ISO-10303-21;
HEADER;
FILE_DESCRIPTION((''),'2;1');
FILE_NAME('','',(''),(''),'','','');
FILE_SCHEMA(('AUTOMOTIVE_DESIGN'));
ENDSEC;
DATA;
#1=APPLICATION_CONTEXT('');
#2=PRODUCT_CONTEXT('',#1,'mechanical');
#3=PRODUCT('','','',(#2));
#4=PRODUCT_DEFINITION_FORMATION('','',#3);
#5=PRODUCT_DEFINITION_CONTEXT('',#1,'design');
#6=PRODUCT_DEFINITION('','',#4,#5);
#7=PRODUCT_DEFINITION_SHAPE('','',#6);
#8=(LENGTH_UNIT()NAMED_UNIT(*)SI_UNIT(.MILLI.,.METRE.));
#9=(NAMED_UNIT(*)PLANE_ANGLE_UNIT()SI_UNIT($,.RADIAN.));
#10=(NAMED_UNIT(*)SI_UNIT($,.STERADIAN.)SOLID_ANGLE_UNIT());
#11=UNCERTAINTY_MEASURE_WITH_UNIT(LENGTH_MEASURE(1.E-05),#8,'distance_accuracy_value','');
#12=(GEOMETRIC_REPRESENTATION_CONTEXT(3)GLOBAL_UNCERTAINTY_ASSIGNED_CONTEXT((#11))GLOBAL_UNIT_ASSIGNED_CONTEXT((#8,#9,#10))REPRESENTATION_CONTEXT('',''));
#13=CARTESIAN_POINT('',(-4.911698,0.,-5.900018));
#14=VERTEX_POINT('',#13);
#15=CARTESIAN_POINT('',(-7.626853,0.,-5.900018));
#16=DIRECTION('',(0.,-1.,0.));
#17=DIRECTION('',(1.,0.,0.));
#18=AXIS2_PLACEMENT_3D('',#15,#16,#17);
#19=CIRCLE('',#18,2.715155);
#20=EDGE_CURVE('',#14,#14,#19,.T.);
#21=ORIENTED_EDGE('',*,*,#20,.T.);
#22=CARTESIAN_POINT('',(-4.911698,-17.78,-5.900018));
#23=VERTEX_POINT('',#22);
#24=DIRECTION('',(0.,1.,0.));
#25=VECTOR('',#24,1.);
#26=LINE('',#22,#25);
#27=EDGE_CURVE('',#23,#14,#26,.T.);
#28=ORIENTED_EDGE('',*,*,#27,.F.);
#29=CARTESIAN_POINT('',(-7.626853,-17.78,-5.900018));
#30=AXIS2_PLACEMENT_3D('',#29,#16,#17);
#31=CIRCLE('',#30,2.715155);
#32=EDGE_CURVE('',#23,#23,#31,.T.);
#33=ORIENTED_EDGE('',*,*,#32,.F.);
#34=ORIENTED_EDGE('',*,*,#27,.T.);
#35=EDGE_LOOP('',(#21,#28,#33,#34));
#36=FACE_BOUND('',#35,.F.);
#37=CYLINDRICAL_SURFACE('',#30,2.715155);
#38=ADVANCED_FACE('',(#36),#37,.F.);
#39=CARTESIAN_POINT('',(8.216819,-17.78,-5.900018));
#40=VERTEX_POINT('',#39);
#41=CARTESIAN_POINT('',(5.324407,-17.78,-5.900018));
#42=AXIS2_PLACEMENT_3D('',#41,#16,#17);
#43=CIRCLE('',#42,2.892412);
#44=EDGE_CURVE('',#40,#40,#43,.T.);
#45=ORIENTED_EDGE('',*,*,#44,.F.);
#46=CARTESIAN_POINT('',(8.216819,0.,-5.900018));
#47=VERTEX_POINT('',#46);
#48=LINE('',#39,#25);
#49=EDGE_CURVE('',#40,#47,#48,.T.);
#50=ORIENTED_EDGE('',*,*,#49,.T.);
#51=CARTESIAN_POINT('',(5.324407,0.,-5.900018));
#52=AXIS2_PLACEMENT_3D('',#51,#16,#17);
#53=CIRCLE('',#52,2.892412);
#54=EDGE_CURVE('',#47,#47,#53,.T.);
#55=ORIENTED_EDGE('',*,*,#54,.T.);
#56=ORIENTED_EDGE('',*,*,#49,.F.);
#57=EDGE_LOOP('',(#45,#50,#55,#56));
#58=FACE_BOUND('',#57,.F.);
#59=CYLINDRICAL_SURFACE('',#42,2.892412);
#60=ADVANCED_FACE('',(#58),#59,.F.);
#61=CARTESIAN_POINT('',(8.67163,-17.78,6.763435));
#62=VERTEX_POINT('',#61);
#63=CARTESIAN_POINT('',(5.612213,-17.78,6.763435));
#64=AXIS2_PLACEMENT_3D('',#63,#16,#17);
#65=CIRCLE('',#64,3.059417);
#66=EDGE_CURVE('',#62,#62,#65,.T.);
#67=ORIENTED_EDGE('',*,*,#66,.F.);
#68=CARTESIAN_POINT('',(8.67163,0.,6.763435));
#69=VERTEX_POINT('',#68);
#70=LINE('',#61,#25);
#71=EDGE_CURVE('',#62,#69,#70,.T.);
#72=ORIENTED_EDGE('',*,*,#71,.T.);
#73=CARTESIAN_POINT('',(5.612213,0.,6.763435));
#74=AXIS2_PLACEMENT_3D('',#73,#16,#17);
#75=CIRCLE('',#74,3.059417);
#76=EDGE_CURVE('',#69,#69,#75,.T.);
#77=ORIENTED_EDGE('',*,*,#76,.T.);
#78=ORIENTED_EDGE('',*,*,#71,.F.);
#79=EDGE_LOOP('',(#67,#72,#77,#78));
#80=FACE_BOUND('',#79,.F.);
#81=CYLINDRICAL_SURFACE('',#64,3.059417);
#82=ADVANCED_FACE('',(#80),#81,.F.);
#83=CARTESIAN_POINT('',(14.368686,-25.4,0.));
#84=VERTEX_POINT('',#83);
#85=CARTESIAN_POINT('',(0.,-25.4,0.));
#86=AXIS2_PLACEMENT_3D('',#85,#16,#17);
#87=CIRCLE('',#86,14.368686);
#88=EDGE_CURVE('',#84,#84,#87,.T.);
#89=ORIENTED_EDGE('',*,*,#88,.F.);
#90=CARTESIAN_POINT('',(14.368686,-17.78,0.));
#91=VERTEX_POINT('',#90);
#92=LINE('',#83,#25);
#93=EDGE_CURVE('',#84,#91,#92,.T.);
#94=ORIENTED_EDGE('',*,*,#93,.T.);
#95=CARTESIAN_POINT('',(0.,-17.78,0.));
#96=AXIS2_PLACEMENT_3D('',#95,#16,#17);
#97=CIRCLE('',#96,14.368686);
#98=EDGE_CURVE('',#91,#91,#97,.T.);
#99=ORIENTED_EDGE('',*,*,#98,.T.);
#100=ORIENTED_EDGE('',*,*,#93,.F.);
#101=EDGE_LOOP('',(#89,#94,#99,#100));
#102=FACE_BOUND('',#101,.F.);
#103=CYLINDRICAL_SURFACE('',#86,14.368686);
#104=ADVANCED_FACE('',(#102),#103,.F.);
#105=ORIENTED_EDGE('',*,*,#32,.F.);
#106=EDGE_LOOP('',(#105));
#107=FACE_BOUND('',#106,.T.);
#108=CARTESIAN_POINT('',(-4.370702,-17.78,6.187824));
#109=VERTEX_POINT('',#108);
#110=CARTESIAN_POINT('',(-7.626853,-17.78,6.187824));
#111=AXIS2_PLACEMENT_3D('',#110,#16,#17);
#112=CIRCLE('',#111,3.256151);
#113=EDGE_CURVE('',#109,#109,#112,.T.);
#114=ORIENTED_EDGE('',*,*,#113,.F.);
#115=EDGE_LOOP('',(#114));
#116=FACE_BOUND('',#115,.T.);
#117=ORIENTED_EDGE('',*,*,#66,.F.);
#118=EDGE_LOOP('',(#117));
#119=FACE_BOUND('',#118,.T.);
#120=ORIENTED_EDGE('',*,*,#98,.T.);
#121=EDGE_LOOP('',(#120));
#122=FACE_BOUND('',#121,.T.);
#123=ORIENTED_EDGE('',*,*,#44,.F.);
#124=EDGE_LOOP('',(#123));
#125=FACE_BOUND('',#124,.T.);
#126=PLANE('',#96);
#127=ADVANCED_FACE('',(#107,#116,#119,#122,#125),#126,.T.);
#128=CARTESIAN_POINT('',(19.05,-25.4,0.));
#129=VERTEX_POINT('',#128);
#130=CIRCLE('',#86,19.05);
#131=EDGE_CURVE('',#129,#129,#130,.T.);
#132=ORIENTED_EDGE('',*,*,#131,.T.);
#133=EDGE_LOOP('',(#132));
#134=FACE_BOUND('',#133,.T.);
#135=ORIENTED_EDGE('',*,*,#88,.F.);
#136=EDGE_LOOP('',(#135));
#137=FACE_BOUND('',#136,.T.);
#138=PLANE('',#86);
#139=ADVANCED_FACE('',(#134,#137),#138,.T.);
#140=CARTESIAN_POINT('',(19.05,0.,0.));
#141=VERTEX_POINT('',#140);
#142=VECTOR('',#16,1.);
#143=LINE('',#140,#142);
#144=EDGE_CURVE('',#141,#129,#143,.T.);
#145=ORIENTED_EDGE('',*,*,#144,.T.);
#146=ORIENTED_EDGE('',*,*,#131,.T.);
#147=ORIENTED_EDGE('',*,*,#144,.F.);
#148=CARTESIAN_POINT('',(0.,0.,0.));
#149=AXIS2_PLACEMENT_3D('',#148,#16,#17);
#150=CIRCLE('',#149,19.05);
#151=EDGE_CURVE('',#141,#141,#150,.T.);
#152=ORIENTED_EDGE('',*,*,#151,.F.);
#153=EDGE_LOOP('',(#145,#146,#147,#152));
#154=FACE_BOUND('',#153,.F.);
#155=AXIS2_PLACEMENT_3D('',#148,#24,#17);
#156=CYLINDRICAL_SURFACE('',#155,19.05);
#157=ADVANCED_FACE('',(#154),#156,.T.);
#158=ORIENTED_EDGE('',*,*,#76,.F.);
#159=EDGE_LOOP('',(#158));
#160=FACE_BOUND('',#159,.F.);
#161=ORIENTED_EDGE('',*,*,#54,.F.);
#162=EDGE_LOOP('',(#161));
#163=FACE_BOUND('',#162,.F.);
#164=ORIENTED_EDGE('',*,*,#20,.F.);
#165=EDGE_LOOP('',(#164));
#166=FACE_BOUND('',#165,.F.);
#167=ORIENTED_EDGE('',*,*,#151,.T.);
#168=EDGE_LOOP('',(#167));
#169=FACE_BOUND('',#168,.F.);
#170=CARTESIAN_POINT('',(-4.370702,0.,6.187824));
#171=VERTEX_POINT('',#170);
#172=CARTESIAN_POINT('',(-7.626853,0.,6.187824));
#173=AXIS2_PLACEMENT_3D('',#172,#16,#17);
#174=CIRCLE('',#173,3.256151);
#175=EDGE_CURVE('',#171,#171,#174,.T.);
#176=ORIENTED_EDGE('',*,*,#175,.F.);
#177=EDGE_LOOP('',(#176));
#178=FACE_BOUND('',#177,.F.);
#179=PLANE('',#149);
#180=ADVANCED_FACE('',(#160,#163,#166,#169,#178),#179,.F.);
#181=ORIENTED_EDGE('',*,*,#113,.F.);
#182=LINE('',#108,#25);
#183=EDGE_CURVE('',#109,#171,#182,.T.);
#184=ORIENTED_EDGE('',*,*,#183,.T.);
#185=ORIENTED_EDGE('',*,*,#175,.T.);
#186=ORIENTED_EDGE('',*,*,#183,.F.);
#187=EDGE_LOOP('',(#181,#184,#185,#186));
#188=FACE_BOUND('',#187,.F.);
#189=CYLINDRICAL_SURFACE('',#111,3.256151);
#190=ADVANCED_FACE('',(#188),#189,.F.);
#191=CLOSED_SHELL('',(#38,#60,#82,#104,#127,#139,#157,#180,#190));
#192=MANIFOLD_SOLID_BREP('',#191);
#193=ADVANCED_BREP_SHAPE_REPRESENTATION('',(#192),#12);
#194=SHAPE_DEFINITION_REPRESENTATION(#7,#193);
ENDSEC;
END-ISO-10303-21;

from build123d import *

# Parameters (mm, degrees)
F0_R     = 19.05
F0_R_2   = 14.351381
F1_DEPTH = 25.4
F2_R     = 14.368686
F3_DEPTH = 7.62
F4_R     = 2.715155
F4_R_2   = 3.256151
F4_R_3   = 3.059417
F4_R_4   = 2.892412
F5_DEPTH = 17.781


with BuildPart() as f1:
    # F0 (on Front) → F1 (new body)
    with BuildSketch(Plane.XZ):
        Circle(F0_R)
        Circle(F0_R_2, mode=Mode.SUBTRACT)
        Circle(F0_R_2)
    extrude(amount=F1_DEPTH)

    # F2 (on face) → F3 (cut)
    with BuildSketch(Plane.XZ.offset(25.4)):
        Circle(F2_R)
    extrude(amount=-F3_DEPTH, mode=Mode.SUBTRACT)

    # F4 (on face) → F5 (cut, through all)
    with BuildSketch(Plane.XZ.offset(17.78)):
        with Locations((-7.626853, -5.900018)):
            Circle(F4_R)
        with Locations((-7.626853, 6.187824)):
            Circle(F4_R_2)
        with Locations((5.612213, 6.763435)):
            Circle(F4_R_3)
        with Locations((5.324407, -5.900018)):
            Circle(F4_R_4)
    extrude(amount=-F5_DEPTH, mode=Mode.SUBTRACT)


solid = f1.part
